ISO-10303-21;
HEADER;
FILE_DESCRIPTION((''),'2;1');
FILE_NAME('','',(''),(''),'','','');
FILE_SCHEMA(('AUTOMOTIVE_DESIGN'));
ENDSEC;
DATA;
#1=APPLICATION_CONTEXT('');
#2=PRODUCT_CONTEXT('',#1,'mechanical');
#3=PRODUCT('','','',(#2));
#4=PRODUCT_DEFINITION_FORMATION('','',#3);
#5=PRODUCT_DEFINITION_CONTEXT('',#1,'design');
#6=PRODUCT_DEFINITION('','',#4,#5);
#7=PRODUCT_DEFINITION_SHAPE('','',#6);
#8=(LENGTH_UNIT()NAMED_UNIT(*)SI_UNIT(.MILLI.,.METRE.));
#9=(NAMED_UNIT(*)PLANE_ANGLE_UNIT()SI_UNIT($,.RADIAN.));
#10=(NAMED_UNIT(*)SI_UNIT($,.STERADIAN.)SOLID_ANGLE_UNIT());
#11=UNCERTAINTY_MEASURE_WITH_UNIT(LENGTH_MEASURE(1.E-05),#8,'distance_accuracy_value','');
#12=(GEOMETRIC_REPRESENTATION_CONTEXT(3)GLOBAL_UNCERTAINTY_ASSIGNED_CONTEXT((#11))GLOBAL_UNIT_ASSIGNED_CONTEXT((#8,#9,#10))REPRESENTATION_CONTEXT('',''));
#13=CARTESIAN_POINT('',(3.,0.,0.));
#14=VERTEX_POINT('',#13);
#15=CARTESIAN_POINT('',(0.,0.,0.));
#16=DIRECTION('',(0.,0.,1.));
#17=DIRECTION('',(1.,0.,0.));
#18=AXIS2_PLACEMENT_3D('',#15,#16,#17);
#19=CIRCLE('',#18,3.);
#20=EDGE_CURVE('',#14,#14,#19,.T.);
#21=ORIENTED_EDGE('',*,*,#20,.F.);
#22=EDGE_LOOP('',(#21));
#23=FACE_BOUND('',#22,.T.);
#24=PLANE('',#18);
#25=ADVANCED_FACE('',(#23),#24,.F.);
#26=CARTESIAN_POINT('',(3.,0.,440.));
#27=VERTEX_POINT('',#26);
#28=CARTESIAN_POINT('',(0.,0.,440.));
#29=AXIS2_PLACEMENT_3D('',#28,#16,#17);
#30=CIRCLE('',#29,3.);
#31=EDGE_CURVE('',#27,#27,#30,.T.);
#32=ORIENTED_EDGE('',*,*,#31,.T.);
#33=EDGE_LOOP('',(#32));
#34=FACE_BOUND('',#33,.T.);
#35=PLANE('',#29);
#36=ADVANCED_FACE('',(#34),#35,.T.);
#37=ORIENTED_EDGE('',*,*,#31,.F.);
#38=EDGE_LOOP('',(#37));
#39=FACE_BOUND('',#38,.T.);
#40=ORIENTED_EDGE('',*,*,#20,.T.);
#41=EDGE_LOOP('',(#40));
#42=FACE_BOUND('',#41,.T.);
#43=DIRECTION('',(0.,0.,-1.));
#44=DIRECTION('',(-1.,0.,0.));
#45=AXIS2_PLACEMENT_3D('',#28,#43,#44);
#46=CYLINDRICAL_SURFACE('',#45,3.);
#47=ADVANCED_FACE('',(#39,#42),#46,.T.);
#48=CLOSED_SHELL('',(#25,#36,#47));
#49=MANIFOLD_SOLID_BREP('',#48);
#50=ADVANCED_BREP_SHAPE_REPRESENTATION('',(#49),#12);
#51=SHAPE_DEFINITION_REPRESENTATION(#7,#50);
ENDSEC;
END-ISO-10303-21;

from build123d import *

# Parameters (mm, degrees)
ESQUISSE1_R        = 3
BOSS_EXTRU_1_DEPTH = 440


with BuildPart() as part:
    # Esquisse1 → Boss.-Extru.1 (new body)
    with BuildSketch(Plane.XY):
        Circle(ESQUISSE1_R)
    extrude(amount=BOSS_EXTRU_1_DEPTH)


solid = part.part
